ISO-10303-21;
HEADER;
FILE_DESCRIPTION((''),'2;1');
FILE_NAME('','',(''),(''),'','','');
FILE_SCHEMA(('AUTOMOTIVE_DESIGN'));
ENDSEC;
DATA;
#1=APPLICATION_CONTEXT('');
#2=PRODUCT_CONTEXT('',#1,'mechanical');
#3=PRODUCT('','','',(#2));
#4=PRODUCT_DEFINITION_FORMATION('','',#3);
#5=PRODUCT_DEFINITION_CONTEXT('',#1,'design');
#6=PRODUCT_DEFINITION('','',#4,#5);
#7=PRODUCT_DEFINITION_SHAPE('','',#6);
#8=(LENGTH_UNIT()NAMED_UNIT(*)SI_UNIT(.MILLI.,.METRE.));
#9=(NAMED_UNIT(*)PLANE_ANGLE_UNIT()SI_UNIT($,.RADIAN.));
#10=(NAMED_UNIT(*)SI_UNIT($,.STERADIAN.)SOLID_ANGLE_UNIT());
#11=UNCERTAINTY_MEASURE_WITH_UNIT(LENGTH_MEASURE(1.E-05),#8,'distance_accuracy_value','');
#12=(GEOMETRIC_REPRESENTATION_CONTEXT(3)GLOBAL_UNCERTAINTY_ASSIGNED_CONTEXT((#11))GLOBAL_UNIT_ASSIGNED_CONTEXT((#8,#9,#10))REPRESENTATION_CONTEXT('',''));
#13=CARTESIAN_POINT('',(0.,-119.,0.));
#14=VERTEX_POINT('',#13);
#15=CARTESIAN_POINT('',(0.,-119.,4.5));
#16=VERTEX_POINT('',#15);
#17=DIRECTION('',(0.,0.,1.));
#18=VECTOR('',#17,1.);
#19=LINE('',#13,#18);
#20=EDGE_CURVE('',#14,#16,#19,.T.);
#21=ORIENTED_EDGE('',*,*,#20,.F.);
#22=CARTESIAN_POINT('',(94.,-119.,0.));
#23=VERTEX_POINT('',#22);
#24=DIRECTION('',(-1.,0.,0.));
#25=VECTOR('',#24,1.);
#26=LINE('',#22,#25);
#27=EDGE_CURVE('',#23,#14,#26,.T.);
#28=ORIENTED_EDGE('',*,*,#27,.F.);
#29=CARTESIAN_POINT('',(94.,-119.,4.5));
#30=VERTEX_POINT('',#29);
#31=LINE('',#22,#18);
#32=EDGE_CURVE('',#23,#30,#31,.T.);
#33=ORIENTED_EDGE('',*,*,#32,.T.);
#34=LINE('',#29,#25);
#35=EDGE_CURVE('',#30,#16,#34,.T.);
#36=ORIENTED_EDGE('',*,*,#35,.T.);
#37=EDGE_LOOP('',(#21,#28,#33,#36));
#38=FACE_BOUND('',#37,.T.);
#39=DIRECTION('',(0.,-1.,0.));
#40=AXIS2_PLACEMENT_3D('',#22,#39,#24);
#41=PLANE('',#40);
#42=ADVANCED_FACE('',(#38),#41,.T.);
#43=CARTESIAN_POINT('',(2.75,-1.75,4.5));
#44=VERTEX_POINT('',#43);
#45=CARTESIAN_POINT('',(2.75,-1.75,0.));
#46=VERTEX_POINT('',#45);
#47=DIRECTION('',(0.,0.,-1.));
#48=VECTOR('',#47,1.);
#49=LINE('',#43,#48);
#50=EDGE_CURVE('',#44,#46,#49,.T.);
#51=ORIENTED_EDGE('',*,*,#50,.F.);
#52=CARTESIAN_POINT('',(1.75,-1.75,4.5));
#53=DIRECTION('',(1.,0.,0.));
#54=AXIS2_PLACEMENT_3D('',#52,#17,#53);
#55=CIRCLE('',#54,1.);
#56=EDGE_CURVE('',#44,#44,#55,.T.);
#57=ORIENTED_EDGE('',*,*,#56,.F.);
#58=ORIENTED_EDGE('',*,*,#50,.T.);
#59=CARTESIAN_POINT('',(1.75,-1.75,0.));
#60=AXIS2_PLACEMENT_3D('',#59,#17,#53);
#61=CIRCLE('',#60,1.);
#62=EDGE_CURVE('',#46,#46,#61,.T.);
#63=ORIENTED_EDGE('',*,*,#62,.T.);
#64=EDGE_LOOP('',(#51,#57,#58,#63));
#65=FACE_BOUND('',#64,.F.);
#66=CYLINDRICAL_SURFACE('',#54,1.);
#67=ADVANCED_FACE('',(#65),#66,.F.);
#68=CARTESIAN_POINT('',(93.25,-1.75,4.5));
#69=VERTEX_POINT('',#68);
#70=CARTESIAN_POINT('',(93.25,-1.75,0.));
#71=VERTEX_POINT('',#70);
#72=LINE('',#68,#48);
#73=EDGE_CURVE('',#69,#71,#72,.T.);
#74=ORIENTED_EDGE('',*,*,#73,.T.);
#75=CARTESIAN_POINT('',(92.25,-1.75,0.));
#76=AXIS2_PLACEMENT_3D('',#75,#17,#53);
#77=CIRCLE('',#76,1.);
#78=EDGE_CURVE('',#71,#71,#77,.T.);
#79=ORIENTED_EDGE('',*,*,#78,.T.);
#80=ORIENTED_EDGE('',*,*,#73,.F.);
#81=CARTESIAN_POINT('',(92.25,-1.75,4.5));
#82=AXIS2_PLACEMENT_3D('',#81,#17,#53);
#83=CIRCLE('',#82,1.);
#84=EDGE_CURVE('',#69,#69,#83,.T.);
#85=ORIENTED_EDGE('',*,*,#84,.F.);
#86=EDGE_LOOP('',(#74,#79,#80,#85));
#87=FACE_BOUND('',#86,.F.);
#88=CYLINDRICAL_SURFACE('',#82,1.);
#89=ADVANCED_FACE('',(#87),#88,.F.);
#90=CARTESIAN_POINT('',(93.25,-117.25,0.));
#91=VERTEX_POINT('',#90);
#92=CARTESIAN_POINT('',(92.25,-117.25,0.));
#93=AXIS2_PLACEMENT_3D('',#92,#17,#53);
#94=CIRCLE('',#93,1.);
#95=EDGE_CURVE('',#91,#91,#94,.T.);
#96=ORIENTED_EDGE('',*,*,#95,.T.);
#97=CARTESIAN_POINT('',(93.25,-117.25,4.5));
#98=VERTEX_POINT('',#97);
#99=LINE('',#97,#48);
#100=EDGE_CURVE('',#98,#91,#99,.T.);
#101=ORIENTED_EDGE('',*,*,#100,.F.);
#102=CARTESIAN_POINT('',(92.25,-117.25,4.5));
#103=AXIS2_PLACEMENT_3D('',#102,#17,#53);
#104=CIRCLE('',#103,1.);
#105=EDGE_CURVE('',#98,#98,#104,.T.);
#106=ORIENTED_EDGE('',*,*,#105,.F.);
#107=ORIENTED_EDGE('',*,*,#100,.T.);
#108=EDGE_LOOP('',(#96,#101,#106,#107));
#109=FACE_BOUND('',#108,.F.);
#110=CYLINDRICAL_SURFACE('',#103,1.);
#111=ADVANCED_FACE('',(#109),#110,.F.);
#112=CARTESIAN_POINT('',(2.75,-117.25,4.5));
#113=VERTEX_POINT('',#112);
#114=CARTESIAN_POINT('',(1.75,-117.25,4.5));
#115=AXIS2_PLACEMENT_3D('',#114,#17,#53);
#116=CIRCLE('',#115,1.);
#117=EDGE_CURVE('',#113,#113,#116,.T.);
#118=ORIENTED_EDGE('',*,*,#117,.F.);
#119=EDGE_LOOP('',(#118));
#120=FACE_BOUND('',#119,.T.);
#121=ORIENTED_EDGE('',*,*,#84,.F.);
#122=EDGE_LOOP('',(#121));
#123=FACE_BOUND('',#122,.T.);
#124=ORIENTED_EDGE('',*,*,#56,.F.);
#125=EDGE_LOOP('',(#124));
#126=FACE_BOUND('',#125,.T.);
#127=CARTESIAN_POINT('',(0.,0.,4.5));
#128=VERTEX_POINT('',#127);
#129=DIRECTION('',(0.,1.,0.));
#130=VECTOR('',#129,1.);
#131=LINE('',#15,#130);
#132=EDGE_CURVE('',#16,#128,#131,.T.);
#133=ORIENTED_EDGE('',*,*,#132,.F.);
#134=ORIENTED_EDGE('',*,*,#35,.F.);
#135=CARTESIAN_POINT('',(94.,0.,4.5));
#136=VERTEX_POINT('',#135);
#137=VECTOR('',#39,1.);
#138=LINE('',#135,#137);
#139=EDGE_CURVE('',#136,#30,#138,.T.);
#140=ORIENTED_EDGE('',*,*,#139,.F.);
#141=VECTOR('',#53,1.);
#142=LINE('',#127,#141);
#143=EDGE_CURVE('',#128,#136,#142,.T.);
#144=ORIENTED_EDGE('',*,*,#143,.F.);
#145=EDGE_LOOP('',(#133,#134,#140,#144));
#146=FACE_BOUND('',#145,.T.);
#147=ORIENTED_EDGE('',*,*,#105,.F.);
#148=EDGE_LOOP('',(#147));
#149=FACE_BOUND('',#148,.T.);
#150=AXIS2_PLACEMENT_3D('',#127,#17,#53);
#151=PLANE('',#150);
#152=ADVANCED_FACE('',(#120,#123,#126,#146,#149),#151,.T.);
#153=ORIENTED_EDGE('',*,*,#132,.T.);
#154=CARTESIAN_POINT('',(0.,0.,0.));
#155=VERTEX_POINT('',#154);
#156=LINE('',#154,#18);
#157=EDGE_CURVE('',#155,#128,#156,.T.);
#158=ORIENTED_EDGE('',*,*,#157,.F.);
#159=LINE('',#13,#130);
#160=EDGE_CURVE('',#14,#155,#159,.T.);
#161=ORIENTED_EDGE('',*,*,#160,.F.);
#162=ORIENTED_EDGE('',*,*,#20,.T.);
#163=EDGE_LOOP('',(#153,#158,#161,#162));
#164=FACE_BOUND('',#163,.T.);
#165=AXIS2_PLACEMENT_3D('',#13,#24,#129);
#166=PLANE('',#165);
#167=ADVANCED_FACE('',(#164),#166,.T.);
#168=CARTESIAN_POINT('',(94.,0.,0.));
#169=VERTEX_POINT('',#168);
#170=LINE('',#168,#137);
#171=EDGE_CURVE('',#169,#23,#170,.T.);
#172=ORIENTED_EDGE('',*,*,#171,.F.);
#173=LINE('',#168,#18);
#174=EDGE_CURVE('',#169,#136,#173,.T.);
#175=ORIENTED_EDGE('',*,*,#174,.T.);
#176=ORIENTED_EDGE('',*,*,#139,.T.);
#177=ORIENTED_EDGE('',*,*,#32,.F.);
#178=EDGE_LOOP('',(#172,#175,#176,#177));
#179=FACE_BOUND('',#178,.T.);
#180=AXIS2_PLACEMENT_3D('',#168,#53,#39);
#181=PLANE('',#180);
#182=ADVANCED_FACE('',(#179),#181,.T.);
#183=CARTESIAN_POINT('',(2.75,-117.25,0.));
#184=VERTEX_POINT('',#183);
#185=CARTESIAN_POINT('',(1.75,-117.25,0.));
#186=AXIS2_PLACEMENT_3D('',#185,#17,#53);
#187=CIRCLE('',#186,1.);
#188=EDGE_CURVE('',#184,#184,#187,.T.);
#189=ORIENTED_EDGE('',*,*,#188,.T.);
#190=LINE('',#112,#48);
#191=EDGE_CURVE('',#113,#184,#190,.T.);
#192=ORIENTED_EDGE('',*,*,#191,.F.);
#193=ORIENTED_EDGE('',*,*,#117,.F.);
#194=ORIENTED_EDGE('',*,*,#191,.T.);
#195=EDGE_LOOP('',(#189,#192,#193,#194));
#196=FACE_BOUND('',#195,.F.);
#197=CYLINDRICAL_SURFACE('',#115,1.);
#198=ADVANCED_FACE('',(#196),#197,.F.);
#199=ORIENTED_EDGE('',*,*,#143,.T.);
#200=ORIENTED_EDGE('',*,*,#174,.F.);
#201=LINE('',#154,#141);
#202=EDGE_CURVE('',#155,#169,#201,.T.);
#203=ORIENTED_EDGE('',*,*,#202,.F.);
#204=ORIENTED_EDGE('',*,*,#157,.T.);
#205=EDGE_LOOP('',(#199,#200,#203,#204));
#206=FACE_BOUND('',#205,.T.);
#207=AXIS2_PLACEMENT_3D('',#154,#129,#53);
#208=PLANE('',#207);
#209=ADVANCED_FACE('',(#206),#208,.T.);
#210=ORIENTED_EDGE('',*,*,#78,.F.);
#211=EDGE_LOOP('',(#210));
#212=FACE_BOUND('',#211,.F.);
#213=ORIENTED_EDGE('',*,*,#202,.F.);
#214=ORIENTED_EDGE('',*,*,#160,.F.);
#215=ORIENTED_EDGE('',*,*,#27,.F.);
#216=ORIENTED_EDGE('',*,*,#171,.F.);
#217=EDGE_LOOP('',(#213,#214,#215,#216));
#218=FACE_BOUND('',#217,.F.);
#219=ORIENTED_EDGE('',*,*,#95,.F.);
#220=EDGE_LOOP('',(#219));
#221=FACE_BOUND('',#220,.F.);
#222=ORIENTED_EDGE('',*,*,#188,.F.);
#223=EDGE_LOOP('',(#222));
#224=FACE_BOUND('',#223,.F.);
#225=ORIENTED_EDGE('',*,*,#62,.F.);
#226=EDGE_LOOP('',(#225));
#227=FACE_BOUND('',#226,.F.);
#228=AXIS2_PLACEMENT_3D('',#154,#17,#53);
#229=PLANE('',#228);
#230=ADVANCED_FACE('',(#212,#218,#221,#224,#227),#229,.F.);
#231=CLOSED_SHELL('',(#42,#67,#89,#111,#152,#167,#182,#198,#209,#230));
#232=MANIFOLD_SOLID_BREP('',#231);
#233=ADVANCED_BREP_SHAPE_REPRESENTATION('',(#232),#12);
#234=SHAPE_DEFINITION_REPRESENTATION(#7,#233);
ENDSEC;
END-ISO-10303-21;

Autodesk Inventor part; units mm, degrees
ref_plane "YZ Plane" through (0, 0, 0) normal (1, 0, 0) x (0, 1, 0)
ref_plane "XZ Plane" through (0, 0, 0) normal (0, 1, 0) x (-1, 0, 0)
ref_plane "XY Plane" through (0, 0, 0) normal (0, 0, 1) x (1, 0, 0)
sketch "Boceto3" plane through (0, 0, 0) normal (0, 0, 1) x (1, 0, 0)
  line L0 (0, 0) -> (94, 0)
  line L1 (94, 0) -> (94, -119)
  line L2 (94, -119) -> (0, -119)
  line L3 (0, -119) -> (0, 0)
  dimension "d18" = 94
  dimension "d19" = 119
extrude "Extrusión3" add sketch "Boceto3" along normal blind 4.5
sketch "Boceto4" plane through (0, 0, 4.5) normal (0, 0, 1) x (1, 0, 0)
  line L0 (0, 0) -> (1.75, 0)
  line L1 (94, 0) -> (0, 0) projected
  line L2 (0, 0) -> (0, -1.75)
  line L3 (0, 0) -> (0, -119) projected
  line L4 (94, 0) -> (92.25, 0)
  line L5 (94, 0) -> (94, -1.75)
  line L6 (0, -119) -> (94, -119) projected
  line L7 (94, -119) -> (94, -117.25)
  line L8 (94, -119) -> (94, 0) projected
  line L9 (94, -119) -> (92.25, -119)
  circle A0 centre (92.25, -117.25) radius 1
  line L10 (0, -119) -> (1.75, -119)
  line L11 (0, -119) -> (0, -117.25)
  circle A1 centre (1.75, -117.25) radius 1
  circle A2 centre (1.75, -1.75) radius 1
  circle A3 centre (92.25, -1.75) radius 1
  dimension "d22" = 1.75
  dimension "d23" = 1.75
  dimension "d24" = 1.75
  dimension "d25" = 1.75
  dimension "d26" = 1.75
  dimension "d27" = 1.75
  dimension "d28" = 2
  dimension "d29" = 1.75
  dimension "d30" = 1.75
  dimension "d31" = 2
  dimension "d32" = 2
  dimension "d33" = 2
extrude "Extrusión4" cut sketch "Boceto4" against normal blind 8 contours A0 | A1 | A2 | A3
properties part number "tapa"
